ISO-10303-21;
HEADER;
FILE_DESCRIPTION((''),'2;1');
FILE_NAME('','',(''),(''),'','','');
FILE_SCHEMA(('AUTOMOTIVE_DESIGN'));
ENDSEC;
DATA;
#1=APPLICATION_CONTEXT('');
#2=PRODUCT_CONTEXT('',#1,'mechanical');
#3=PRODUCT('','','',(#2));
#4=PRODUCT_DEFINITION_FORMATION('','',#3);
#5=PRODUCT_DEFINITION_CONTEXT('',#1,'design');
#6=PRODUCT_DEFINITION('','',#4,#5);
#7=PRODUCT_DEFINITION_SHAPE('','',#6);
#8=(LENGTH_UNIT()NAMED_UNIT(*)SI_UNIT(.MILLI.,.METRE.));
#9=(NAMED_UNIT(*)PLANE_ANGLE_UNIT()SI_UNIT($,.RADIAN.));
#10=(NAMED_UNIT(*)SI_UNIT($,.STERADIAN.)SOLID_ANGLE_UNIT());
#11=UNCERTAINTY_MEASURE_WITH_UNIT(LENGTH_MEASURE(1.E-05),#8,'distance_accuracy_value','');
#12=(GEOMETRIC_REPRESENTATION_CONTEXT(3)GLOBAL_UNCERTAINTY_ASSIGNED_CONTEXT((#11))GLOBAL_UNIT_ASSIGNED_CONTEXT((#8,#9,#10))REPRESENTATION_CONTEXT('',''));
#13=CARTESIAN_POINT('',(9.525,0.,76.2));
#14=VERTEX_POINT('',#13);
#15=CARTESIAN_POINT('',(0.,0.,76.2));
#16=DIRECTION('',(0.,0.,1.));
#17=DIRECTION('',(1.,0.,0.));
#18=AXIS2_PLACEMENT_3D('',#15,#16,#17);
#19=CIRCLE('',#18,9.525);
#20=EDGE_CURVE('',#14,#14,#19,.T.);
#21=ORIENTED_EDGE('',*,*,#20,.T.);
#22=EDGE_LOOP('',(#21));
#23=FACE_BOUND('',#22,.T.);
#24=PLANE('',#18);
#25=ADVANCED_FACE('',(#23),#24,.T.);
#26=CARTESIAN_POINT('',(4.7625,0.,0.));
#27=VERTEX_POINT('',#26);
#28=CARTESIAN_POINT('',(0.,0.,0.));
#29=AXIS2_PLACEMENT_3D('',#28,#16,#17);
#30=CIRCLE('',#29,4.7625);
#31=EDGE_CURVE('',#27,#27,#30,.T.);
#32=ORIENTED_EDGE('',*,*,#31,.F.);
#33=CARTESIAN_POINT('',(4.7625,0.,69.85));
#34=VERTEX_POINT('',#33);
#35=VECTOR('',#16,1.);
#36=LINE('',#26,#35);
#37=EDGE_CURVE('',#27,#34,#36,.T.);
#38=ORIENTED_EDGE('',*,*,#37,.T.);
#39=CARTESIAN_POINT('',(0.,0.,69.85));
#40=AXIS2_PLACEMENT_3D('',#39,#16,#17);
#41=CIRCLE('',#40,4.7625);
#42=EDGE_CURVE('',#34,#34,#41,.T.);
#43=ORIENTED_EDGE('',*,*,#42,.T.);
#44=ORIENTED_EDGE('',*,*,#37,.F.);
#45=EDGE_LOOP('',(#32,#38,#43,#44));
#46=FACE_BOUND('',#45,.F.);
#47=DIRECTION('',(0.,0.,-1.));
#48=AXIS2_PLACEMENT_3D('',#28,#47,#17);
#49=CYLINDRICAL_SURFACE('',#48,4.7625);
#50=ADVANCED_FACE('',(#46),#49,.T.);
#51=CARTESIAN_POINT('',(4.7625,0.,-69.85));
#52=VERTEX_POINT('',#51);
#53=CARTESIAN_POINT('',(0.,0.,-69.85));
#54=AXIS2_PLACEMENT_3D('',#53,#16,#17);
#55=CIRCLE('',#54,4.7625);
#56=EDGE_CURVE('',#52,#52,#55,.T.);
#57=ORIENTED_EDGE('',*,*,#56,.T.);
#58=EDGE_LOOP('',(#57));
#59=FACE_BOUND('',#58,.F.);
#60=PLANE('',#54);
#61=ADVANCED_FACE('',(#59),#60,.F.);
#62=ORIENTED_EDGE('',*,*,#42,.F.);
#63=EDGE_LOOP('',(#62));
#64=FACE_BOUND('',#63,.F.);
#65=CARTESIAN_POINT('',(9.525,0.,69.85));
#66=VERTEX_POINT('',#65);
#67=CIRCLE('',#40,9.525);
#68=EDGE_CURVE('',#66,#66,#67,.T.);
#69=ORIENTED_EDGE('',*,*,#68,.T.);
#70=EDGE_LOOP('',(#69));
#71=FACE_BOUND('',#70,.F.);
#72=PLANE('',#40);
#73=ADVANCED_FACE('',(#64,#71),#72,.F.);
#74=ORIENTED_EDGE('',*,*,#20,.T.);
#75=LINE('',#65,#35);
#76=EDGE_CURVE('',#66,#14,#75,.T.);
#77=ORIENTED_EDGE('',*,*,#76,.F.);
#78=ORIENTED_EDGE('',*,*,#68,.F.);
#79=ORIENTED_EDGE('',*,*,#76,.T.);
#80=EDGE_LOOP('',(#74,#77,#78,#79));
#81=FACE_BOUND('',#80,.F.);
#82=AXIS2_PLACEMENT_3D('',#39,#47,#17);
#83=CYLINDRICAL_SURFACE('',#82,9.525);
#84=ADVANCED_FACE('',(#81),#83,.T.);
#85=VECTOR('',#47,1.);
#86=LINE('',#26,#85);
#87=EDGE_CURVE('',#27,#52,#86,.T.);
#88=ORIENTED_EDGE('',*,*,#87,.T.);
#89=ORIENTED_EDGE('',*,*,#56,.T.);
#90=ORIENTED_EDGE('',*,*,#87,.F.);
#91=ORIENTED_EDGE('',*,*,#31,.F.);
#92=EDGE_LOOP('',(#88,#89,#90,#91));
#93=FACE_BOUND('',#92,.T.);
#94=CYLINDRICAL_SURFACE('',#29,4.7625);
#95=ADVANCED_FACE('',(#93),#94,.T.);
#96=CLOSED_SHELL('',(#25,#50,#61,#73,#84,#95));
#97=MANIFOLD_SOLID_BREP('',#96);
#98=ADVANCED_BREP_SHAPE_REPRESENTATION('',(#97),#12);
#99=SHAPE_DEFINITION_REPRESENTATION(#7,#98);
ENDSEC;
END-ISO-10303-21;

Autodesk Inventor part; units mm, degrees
ref_plane "YZ Plane" through (0, 0, 0) normal (1, 0, 0) x (0, 1, 0)
ref_plane "XZ Plane" through (0, 0, 0) normal (0, 1, 0) x (-1, 0, 0)
ref_plane "XY Plane" through (0, 0, 0) normal (0, 0, 1) x (1, 0, 0)
sketch "Sketch1" plane through (0, 0, 0) normal (0, 0, 1) x (1, 0, 0)
  circle A0 centre (0, 0) radius 4.7625
  dimension "d0" = 9.525
extrude "Extrusion1" add sketch "Sketch1" along normal mid plane 139.7
sketch "Sketch5" plane through (0, 0, 69.85) normal (0, 0, 1) x (1, 0, 0)
  circle A0 centre (0, 0) radius 9.525
  dimension "d5" = 19.05
extrude "Extrusion2" add sketch "Sketch5" along normal blind 6.35
properties part number "camPostV02"
